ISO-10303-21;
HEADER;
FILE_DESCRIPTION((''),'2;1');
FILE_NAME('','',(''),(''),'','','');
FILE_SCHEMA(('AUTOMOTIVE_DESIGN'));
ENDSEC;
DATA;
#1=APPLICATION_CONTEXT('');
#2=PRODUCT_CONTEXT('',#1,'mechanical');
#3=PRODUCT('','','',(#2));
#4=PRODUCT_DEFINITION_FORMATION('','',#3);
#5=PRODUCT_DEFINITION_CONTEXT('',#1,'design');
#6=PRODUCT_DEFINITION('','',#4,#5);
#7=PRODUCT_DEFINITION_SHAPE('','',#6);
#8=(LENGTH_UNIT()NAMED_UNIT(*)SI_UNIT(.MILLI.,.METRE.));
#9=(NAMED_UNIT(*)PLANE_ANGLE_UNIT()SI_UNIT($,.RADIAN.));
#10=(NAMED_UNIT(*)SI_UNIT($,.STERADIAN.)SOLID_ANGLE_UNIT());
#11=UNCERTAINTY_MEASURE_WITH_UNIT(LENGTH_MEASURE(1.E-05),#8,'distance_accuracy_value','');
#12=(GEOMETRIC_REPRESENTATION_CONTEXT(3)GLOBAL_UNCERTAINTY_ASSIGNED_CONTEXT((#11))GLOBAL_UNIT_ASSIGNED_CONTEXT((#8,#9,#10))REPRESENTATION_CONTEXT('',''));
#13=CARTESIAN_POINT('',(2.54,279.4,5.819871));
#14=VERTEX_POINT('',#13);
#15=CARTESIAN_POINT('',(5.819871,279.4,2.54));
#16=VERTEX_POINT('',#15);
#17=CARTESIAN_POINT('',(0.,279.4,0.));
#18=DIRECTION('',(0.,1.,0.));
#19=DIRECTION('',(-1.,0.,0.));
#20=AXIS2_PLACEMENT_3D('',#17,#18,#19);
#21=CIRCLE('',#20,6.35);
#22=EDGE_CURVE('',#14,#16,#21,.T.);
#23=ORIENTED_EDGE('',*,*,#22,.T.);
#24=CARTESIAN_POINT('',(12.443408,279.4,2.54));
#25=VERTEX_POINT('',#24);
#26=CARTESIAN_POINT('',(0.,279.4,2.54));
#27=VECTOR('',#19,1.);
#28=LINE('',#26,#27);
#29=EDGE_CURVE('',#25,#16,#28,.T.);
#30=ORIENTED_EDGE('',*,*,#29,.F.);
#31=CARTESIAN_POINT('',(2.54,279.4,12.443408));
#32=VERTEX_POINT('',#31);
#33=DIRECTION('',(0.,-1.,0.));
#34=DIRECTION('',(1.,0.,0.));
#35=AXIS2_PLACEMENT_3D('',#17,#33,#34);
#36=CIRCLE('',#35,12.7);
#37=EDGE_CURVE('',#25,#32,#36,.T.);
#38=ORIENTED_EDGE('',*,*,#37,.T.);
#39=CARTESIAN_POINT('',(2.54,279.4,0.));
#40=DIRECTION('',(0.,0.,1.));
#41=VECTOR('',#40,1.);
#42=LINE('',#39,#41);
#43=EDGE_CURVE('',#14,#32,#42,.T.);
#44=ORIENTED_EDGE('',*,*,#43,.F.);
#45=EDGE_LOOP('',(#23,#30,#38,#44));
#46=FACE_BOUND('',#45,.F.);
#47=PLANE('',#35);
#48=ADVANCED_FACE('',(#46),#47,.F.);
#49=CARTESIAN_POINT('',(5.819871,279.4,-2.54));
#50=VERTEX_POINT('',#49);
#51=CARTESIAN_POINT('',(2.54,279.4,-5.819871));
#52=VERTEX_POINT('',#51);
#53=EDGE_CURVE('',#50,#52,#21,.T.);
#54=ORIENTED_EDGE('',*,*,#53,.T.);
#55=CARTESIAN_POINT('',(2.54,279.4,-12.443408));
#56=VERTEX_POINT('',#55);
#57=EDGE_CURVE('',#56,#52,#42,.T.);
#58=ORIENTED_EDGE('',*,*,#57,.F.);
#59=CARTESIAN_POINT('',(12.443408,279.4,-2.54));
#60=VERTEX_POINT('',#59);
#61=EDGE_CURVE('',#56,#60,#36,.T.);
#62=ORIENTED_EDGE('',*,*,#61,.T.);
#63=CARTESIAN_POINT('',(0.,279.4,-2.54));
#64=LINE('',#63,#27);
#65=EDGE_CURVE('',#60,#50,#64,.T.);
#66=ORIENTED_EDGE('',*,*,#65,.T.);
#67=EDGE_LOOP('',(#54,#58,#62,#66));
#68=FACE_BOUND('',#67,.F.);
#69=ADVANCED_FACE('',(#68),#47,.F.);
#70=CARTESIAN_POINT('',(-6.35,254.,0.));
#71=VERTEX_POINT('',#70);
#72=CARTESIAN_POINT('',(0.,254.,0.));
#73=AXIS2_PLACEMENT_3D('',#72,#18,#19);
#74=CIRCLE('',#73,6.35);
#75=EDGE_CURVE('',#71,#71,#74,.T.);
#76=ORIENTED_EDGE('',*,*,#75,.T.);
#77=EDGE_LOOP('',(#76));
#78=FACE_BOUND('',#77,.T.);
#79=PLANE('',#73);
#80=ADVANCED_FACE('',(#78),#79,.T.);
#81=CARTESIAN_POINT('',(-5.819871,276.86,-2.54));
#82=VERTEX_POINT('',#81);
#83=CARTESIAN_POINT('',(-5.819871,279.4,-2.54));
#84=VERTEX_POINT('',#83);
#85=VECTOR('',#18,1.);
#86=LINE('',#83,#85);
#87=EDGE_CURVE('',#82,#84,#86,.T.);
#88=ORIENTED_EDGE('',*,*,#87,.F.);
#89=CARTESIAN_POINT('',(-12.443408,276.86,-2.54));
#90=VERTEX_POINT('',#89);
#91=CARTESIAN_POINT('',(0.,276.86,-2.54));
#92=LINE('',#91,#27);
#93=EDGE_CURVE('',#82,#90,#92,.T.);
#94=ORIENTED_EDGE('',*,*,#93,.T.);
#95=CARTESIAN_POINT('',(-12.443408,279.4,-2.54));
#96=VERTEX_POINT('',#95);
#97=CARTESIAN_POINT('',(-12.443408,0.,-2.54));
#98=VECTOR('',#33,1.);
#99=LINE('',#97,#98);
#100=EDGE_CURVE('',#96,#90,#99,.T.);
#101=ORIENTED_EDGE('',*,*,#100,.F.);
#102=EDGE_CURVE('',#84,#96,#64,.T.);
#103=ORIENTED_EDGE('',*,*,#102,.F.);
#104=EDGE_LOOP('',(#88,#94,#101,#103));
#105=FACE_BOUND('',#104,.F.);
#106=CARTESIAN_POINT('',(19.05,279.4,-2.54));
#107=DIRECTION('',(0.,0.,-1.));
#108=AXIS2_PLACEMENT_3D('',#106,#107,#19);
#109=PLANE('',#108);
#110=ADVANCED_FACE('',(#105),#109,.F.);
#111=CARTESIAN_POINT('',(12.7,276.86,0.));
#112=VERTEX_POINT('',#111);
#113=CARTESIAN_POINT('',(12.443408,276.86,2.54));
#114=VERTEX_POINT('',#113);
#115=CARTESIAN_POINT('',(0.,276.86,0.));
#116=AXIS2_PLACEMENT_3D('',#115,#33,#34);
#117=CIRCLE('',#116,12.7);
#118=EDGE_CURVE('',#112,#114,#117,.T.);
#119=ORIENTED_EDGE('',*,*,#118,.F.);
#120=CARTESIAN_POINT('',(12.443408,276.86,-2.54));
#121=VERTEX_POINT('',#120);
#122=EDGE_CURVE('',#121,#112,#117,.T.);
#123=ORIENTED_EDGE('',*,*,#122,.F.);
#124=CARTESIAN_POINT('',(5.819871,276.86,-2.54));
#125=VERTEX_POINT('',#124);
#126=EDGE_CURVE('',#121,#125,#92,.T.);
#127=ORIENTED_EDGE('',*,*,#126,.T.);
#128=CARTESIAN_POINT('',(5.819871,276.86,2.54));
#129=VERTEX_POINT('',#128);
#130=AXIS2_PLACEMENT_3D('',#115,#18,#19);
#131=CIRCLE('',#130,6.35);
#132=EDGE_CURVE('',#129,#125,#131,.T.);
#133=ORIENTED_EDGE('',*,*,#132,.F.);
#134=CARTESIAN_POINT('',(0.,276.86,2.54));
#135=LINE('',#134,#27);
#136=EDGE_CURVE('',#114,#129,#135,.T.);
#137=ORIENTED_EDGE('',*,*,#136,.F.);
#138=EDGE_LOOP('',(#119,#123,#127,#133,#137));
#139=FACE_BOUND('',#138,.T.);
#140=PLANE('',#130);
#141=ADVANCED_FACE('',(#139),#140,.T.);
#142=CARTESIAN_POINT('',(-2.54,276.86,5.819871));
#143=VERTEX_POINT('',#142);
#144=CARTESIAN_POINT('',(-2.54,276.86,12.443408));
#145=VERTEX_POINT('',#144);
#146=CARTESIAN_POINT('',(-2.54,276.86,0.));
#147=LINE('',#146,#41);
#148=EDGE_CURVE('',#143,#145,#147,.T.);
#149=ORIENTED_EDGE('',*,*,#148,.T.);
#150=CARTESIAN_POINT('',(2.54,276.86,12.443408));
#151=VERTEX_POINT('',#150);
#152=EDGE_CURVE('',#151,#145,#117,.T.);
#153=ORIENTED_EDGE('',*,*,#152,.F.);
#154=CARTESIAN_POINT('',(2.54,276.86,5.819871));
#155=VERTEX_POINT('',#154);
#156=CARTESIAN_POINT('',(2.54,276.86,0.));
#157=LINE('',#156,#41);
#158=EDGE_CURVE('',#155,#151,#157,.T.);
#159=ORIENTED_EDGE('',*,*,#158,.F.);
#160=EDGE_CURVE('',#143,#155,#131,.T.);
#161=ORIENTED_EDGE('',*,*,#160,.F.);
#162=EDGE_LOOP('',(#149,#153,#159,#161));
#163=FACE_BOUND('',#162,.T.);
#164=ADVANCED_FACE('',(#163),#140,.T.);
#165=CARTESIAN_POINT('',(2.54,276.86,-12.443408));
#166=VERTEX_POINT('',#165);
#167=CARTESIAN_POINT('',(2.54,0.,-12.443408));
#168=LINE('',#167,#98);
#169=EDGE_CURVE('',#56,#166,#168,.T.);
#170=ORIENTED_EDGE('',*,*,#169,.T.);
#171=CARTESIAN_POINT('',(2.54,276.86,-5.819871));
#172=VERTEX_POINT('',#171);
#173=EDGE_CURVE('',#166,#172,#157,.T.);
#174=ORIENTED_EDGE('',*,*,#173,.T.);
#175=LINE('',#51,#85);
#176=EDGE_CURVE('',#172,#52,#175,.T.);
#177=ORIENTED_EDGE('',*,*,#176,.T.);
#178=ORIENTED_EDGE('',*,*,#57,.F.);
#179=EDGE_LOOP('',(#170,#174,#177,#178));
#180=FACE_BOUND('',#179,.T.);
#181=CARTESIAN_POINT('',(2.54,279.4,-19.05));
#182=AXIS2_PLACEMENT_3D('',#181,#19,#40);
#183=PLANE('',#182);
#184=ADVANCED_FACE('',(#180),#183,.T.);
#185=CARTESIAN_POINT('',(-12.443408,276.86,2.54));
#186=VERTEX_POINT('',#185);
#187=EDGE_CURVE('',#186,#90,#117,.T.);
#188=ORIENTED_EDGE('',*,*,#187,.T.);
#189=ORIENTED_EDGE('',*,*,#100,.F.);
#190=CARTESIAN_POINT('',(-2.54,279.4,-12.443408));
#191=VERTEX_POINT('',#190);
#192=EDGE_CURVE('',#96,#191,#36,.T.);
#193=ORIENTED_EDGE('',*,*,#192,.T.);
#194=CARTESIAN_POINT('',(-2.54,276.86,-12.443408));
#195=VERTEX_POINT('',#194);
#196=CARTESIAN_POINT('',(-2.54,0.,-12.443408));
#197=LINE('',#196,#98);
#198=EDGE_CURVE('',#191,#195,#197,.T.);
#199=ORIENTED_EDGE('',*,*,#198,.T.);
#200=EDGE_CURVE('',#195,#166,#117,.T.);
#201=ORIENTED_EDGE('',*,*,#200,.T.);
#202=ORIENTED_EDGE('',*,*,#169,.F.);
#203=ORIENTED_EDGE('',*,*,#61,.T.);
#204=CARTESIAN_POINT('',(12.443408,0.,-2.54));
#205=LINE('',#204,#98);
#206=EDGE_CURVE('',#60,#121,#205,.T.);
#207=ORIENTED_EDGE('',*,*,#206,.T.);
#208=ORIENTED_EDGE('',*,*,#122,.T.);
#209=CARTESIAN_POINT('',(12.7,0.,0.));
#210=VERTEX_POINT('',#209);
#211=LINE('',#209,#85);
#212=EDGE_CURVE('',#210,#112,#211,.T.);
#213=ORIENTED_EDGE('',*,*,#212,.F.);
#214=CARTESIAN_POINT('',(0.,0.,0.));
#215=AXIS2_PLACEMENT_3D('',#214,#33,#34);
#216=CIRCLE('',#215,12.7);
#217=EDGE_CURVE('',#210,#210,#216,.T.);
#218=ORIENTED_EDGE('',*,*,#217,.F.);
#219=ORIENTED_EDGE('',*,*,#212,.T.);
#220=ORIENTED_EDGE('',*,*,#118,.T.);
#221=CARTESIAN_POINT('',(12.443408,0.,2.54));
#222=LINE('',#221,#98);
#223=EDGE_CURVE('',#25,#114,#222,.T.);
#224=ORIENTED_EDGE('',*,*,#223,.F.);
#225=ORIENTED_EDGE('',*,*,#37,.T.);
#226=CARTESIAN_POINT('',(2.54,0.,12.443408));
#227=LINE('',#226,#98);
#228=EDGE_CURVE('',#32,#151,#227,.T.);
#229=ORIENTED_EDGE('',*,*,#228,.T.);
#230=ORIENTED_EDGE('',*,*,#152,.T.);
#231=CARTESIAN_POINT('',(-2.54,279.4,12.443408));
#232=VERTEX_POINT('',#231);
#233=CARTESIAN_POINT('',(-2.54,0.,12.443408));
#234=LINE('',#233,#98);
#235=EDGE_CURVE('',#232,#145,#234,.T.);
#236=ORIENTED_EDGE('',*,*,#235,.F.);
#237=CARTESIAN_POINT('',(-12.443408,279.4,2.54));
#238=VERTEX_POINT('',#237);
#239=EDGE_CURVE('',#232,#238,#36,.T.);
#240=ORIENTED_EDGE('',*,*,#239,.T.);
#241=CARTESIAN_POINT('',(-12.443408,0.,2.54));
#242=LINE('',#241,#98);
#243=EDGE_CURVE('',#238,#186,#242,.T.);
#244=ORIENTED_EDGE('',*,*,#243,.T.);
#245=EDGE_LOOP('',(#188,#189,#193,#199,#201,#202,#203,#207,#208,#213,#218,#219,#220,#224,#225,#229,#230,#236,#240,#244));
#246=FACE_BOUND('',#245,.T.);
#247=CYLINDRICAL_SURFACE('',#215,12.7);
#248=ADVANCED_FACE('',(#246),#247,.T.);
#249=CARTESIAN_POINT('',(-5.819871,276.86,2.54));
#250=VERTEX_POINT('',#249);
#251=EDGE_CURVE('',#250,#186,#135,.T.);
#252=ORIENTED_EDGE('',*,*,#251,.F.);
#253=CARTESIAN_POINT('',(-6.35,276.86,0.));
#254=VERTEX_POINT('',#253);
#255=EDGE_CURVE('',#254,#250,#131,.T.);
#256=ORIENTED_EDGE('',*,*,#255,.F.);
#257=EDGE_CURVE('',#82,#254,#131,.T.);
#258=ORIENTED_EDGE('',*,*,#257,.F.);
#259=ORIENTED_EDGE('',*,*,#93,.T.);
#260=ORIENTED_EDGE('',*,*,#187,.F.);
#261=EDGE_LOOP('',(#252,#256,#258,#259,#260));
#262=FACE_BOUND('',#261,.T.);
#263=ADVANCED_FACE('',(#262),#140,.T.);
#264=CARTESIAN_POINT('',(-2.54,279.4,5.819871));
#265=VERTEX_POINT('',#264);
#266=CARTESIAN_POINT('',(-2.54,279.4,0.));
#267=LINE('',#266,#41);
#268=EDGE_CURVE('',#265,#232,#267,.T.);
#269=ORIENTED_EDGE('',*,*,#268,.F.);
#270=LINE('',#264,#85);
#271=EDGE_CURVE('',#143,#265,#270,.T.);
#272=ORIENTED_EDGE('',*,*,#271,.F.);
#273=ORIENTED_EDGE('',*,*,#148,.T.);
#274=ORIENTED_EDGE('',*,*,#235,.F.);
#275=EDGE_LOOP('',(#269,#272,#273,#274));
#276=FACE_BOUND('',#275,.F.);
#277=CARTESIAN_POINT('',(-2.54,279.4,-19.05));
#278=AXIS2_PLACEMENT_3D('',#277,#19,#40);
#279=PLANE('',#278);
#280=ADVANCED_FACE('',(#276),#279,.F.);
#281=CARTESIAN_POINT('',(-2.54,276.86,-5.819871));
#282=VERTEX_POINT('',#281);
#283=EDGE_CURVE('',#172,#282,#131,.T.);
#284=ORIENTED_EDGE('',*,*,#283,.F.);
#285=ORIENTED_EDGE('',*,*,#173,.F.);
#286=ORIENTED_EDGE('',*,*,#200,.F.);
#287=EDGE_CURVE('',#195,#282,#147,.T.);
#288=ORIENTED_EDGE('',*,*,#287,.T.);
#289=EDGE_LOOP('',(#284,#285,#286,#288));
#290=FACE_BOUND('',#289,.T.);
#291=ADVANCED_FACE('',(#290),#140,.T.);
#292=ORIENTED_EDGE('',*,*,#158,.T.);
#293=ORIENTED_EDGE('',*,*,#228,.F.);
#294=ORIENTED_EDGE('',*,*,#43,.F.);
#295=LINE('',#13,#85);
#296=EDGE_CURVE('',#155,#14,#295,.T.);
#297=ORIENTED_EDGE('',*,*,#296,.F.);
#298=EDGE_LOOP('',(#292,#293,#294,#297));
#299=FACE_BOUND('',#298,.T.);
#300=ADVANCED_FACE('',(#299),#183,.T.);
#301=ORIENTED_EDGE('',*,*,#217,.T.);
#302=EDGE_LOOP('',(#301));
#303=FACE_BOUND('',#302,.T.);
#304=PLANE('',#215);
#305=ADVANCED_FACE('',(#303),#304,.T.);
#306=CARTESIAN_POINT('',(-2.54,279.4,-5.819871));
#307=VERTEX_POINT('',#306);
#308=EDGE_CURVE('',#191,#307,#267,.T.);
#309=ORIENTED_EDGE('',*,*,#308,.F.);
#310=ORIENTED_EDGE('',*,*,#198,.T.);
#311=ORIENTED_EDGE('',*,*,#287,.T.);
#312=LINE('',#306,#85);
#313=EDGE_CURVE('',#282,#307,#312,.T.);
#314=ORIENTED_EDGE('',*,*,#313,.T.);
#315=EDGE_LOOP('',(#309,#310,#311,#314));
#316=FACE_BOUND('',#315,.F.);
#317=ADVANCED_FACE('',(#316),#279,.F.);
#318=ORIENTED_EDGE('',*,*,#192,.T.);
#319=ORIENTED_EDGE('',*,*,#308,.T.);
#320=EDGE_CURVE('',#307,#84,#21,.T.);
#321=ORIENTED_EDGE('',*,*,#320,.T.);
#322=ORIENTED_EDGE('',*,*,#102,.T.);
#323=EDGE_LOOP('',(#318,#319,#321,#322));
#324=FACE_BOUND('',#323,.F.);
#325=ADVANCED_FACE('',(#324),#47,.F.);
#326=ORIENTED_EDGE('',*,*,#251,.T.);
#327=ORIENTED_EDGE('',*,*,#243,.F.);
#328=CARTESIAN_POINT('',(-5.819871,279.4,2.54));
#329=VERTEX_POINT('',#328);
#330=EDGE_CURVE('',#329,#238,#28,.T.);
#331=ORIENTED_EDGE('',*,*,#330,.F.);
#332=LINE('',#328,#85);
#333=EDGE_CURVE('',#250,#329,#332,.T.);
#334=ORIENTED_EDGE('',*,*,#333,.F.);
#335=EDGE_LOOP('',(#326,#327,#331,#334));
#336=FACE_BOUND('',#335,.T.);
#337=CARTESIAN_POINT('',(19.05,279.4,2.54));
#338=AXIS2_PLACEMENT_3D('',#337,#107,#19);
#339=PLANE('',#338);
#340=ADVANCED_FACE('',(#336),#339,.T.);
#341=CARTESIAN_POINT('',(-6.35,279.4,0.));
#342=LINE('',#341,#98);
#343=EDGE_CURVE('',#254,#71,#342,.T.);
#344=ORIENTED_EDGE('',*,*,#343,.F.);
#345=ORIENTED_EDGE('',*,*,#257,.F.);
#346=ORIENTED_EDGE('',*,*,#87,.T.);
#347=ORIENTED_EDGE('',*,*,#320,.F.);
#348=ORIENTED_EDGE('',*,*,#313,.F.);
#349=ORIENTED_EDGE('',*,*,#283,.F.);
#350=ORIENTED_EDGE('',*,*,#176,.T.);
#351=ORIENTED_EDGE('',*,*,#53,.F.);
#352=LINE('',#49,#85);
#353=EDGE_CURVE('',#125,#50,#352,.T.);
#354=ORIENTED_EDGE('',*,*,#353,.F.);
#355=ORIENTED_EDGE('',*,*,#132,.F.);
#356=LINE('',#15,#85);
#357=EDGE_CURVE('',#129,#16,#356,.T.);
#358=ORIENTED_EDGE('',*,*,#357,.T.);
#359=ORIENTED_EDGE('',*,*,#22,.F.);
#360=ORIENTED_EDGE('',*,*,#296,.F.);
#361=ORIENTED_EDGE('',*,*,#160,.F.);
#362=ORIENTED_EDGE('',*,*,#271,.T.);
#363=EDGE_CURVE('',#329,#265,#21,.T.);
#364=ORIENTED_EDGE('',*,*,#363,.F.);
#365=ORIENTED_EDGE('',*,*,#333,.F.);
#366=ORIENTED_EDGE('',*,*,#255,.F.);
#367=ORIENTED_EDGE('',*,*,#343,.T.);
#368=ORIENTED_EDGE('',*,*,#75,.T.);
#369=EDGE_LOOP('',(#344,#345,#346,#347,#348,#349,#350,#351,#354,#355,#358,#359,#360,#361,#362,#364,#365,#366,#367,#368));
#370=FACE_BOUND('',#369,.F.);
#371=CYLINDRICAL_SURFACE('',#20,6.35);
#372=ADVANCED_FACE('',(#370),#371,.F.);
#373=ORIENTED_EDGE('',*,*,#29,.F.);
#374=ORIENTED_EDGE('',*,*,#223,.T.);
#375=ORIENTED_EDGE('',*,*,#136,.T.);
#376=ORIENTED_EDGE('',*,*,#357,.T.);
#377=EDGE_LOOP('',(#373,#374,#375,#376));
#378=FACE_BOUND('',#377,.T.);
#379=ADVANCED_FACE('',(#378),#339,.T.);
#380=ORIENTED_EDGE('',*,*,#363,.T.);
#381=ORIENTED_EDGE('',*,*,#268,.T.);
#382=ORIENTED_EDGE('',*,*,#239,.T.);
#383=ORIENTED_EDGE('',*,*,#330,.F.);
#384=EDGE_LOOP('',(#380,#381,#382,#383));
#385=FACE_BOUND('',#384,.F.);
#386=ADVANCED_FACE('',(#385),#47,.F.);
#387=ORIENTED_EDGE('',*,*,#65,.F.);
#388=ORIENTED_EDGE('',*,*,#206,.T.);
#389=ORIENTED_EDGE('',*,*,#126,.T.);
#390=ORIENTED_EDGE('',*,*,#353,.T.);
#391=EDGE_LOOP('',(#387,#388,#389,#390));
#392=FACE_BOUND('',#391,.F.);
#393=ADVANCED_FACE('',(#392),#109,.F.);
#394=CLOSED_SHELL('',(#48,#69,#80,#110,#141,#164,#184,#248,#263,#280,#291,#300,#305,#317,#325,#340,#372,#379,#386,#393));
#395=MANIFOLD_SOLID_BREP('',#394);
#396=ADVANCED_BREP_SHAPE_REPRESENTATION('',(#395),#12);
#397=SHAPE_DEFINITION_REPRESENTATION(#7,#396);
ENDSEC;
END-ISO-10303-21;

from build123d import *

# Parameters (mm, degrees)
F0_R     = 12.7
F1_DEPTH = 279.4
F2_R     = 6.35
F3_DEPTH = 25.4
F4_W     = 5.08
F4_H     = 38.1
F5_DEPTH = 2.54
F6_W     = 38.1
F6_H     = 5.08
F7_DEPTH = 2.54


with BuildPart() as f1:
    # F0 (on Front) → F1 (new body)
    with BuildSketch(Plane.XZ):
        Circle(F0_R)
    extrude(amount=-F1_DEPTH)

    # F2 (on face) → F3 (cut)
    with BuildSketch(Plane(origin=(0, 279.4, 0), x_dir=(-1, 0, 0), z_dir=(0, 1, 0))):
        Circle(F2_R)
    extrude(amount=-F3_DEPTH, mode=Mode.SUBTRACT)

    # F4 (on face) → F5 (cut)
    with BuildSketch(Plane(origin=(0, 279.4, 0), x_dir=(-1, 0, 0), z_dir=(0, 1, 0))):
        Rectangle(F4_W, F4_H)
    extrude(amount=-F5_DEPTH, mode=Mode.SUBTRACT)

    # F6 (on face) → F7 (cut)
    with BuildSketch(Plane(origin=(0, 279.4, 0), x_dir=(-1, 0, 0), z_dir=(0, 1, 0))):
        Rectangle(F6_W, F6_H)
    extrude(amount=-F7_DEPTH, mode=Mode.SUBTRACT)


solid = f1.part
